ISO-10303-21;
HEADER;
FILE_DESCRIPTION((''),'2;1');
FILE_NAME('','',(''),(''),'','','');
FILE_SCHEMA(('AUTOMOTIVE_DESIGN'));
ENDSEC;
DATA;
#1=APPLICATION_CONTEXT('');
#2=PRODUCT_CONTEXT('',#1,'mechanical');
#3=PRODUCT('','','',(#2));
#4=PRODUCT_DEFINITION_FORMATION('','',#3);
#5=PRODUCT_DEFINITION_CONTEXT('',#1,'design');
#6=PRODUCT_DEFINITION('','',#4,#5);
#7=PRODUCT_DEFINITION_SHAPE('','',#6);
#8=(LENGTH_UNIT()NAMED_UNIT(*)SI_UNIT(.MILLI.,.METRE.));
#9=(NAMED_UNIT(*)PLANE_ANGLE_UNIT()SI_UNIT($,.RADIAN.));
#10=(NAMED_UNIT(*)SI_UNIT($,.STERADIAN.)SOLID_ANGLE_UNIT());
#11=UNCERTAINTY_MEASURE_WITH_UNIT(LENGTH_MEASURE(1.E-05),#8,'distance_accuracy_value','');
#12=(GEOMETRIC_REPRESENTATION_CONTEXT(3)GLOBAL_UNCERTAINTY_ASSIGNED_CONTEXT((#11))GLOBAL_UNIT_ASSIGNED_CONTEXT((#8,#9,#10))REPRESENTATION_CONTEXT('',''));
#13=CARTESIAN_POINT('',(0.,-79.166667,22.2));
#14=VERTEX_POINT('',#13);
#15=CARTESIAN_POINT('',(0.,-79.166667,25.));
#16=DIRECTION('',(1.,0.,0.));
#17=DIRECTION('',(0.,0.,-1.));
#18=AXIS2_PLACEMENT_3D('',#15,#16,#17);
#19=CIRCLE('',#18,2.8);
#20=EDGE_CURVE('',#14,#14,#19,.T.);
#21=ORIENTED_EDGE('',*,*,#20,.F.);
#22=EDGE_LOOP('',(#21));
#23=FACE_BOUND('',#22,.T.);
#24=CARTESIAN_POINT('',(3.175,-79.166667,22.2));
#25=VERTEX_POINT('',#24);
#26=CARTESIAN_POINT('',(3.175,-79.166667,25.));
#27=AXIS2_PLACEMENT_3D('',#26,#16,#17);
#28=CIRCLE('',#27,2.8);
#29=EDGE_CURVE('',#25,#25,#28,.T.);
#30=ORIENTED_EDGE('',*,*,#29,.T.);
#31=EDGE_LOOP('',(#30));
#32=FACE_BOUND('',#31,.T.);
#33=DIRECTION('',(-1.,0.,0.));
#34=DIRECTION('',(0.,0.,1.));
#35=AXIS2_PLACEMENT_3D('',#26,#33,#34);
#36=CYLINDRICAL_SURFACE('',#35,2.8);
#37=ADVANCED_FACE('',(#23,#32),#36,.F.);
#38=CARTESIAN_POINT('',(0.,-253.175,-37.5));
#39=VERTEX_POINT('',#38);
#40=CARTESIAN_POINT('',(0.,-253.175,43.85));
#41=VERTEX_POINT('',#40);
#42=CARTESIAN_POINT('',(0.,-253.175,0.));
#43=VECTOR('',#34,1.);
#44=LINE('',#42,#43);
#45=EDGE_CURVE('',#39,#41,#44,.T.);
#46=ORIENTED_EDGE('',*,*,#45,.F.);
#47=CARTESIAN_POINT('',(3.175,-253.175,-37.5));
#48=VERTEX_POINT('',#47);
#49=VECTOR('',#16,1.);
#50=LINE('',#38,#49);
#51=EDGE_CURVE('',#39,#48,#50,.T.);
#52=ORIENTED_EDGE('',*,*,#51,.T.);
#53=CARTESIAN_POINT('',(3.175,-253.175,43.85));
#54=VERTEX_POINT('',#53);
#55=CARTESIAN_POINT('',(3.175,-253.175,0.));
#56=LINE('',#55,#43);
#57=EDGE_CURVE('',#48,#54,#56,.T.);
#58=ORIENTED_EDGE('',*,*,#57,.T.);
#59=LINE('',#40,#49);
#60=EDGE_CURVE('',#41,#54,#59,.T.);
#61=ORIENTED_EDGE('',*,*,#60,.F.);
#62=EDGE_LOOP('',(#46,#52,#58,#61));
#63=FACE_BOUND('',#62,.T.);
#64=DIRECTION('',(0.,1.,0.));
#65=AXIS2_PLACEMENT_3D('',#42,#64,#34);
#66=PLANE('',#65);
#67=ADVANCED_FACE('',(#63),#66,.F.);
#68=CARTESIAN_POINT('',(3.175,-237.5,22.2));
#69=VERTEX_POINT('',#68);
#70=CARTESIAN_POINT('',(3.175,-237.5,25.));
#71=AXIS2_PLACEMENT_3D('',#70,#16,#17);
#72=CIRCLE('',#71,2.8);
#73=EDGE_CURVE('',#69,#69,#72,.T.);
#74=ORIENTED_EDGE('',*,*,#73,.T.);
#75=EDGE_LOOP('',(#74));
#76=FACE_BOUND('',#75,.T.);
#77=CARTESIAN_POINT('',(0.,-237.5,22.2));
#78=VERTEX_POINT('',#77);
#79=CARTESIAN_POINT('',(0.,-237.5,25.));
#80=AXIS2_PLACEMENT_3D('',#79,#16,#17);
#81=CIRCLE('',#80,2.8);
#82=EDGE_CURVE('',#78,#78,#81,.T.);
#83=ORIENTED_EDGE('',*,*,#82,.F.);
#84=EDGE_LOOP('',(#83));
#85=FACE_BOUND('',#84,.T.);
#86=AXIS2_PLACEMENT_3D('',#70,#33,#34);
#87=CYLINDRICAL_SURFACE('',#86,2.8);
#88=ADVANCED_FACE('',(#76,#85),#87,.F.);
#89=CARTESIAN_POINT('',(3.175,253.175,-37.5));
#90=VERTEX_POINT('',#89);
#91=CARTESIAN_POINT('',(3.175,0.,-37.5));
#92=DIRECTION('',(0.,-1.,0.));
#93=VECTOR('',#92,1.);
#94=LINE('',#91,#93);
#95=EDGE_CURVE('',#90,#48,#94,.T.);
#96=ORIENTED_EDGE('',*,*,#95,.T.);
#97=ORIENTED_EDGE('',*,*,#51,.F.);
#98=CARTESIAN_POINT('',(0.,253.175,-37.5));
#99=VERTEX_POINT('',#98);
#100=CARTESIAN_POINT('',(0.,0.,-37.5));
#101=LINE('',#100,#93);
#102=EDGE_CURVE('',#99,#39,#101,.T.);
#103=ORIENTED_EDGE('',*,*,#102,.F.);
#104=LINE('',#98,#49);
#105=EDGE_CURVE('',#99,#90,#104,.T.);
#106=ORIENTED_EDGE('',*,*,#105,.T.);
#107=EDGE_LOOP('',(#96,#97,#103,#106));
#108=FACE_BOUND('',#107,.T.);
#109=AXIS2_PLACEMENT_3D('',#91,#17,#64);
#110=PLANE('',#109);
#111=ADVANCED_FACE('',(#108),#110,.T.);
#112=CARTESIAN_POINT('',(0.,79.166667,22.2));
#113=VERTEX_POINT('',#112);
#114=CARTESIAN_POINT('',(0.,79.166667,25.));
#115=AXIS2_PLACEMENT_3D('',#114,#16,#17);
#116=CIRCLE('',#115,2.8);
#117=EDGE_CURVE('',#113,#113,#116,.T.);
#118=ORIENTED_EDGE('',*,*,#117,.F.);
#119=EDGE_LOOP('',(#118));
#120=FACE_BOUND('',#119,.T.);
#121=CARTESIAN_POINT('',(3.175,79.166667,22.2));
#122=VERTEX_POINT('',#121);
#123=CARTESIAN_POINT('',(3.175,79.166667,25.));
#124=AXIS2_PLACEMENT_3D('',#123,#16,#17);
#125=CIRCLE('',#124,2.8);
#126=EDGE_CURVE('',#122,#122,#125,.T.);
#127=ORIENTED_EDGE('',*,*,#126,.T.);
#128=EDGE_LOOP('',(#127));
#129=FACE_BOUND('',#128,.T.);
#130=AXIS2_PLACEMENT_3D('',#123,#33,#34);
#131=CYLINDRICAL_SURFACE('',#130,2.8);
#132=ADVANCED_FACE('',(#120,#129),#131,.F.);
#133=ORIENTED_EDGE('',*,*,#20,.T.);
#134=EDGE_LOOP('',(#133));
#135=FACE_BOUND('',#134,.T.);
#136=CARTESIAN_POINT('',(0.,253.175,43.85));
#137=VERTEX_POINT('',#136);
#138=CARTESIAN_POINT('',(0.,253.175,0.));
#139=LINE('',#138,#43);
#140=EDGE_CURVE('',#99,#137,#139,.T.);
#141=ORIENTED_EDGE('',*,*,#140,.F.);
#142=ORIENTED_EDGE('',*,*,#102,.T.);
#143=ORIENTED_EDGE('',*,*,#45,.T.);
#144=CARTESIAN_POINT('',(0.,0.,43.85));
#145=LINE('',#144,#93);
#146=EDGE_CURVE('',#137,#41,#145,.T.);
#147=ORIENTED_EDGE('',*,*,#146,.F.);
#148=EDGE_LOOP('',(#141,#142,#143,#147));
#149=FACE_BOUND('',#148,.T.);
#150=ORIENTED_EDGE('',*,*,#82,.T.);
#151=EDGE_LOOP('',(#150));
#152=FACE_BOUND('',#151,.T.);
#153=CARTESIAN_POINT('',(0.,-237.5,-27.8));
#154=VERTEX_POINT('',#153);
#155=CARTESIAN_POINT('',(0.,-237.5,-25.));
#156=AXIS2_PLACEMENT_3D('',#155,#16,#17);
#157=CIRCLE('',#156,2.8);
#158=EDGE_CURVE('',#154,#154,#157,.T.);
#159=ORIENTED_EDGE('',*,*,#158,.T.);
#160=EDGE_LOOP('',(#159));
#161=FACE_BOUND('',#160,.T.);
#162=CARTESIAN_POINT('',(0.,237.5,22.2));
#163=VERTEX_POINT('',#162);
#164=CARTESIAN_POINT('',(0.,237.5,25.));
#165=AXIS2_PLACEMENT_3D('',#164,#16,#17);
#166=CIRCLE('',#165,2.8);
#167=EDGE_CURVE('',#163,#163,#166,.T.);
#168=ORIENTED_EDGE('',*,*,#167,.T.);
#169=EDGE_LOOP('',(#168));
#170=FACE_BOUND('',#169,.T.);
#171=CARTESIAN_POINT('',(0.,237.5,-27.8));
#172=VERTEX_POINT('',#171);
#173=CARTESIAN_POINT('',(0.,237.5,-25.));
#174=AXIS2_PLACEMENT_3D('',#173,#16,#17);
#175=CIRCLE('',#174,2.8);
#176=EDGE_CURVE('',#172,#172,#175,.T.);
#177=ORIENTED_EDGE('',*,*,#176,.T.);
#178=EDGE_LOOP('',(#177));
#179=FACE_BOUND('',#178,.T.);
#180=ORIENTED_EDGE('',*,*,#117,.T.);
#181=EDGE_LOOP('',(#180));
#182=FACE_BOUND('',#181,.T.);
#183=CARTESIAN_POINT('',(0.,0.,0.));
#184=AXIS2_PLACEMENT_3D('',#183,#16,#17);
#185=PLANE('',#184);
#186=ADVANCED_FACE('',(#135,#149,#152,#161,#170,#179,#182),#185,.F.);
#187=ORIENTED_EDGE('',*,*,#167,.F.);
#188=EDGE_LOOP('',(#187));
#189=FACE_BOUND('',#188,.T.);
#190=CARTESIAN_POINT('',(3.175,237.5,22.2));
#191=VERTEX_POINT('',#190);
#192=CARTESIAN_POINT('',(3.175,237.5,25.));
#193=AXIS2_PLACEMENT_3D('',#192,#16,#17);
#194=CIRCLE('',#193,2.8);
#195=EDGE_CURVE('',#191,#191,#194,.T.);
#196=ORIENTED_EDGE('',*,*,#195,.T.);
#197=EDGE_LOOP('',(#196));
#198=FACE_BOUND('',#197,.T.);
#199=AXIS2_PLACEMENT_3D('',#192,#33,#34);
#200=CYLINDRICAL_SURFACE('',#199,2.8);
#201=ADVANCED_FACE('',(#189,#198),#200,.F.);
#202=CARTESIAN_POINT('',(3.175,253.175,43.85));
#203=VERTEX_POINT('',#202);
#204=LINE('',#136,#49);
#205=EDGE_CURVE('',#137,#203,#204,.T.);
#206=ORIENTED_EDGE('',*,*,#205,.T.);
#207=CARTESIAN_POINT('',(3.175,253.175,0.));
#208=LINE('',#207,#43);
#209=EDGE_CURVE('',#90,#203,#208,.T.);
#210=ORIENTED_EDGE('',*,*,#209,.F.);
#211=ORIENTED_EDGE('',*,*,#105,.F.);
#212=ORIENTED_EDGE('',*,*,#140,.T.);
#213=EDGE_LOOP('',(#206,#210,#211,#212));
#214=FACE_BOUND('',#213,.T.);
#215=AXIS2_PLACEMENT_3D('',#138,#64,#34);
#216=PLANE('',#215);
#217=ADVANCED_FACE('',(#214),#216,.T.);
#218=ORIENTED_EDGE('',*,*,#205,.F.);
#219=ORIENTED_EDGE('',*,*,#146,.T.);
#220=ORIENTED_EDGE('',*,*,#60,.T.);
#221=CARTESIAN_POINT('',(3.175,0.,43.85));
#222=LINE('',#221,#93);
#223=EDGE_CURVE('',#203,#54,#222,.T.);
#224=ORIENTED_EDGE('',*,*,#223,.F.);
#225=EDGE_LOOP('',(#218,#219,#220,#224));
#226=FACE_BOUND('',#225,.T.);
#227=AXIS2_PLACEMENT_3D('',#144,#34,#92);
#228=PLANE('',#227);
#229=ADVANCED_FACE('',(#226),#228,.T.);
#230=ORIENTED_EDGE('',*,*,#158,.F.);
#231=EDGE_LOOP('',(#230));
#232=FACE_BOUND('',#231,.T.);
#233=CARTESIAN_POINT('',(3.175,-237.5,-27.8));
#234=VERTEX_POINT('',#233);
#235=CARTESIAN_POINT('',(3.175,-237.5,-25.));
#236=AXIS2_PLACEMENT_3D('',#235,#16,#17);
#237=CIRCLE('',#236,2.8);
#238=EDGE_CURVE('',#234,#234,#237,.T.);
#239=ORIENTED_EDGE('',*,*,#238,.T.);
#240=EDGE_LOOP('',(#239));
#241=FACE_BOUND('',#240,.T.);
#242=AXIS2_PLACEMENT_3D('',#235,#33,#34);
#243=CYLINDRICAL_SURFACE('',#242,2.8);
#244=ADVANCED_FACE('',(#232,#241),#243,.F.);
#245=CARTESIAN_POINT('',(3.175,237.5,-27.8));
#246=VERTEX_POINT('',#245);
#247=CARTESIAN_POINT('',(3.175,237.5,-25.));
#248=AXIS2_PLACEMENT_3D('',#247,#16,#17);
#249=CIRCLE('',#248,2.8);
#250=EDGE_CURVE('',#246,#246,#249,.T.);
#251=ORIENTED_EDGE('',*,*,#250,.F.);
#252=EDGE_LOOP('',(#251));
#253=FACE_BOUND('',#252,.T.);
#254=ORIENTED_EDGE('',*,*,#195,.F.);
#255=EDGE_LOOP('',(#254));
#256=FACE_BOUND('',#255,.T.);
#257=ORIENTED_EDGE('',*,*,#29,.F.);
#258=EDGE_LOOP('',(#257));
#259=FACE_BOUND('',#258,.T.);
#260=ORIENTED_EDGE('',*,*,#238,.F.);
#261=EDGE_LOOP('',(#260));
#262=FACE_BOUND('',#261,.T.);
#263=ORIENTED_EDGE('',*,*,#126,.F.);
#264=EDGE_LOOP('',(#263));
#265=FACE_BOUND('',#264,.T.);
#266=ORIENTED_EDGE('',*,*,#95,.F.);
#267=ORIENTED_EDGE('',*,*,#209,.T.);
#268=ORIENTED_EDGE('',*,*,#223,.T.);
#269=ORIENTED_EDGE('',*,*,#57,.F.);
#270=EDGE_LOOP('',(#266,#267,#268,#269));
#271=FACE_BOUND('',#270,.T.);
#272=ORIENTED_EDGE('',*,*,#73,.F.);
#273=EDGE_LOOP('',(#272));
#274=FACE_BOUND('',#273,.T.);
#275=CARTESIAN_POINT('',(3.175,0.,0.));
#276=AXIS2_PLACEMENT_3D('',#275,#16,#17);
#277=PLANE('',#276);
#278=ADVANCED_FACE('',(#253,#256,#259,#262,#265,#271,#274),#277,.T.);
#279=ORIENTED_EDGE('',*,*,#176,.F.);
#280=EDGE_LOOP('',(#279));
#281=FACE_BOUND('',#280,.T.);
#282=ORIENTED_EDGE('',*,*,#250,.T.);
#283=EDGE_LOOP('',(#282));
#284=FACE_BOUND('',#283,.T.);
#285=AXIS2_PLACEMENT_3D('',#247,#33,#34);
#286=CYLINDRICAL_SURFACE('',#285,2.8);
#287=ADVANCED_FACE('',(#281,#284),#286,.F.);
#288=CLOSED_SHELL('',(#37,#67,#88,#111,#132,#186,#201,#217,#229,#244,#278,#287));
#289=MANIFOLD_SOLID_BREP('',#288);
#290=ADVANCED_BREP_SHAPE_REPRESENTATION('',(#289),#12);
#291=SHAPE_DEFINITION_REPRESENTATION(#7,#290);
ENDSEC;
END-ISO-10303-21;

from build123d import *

# Parameters (mm, degrees)
SKETCH1_W           = 500
SKETCH1_H           = 75
SKETCH1_R           = 2.8
BOSS_EXTRUDE1_DEPTH = 3.175
SKETCH2_W           = 500
SKETCH2_H           = 6.35
BOSS_EXTRUDE2_DEPTH = 3.175


with BuildPart() as part:
    # Sketch1 → Boss-Extrude1 (new body)
    # profile 1 of 3: a face of its own
    with BuildSketch(Plane.YZ):
        Rectangle(SKETCH1_W, SKETCH1_H)
        with Locations(Location((-237.5, -25, 0), (0, 0, 270))):
            Circle(SKETCH1_R, mode=Mode.SUBTRACT)
        with Locations(Location((237.49999999, -25, 0), (0, 0, 270))):
            Circle(SKETCH1_R, mode=Mode.SUBTRACT)
        with Locations((79.16666666, -25)):
            Circle(SKETCH1_R, mode=Mode.SUBTRACT)
        with Locations((-79.16666667, -25)):
            Circle(SKETCH1_R, mode=Mode.SUBTRACT)
        with Locations(Location((237.49999999, 25, 0), (0, 0, 270))):
            Circle(SKETCH1_R, mode=Mode.SUBTRACT)
        with Locations(Location((79.16666666, 25, 0), (0, 0, 270))):
            Circle(SKETCH1_R, mode=Mode.SUBTRACT)
        with Locations(Location((-79.16666667, 25, 0), (0, 0, 270))):
            Circle(SKETCH1_R, mode=Mode.SUBTRACT)
        with Locations(Location((-237.5, 25, 0), (0, 0, 270))):
            Circle(SKETCH1_R, mode=Mode.SUBTRACT)
    # profile 2 of 3: a face of its own
    with BuildSketch(Plane.YZ):
        with Locations((-79.16666667, -25)):
            Circle(SKETCH1_R)
    # profile 3 of 3: a face of its own
    with BuildSketch(Plane.YZ):
        with Locations((79.16666666, -25)):
            Circle(SKETCH1_R)
    extrude(amount=BOSS_EXTRUDE1_DEPTH)

    # Sketch2 → Boss-Extrude2 (add, through all)
    with BuildSketch(Plane.YZ.offset(3.175)):
        Polygon((-253.175, -37.5), (-250, -37.5), (-250, 37.5), (-250, 43.85), (-253.175, 43.85), align=None)
        with Locations((0, 40.675)):
            Rectangle(SKETCH2_W, SKETCH2_H)
        Polygon((250, 43.85), (250, 37.5), (250, -37.5), (253.175, -37.5), (253.175, 43.85), align=None)
    extrude(amount=-BOSS_EXTRUDE2_DEPTH)


solid = part.part
